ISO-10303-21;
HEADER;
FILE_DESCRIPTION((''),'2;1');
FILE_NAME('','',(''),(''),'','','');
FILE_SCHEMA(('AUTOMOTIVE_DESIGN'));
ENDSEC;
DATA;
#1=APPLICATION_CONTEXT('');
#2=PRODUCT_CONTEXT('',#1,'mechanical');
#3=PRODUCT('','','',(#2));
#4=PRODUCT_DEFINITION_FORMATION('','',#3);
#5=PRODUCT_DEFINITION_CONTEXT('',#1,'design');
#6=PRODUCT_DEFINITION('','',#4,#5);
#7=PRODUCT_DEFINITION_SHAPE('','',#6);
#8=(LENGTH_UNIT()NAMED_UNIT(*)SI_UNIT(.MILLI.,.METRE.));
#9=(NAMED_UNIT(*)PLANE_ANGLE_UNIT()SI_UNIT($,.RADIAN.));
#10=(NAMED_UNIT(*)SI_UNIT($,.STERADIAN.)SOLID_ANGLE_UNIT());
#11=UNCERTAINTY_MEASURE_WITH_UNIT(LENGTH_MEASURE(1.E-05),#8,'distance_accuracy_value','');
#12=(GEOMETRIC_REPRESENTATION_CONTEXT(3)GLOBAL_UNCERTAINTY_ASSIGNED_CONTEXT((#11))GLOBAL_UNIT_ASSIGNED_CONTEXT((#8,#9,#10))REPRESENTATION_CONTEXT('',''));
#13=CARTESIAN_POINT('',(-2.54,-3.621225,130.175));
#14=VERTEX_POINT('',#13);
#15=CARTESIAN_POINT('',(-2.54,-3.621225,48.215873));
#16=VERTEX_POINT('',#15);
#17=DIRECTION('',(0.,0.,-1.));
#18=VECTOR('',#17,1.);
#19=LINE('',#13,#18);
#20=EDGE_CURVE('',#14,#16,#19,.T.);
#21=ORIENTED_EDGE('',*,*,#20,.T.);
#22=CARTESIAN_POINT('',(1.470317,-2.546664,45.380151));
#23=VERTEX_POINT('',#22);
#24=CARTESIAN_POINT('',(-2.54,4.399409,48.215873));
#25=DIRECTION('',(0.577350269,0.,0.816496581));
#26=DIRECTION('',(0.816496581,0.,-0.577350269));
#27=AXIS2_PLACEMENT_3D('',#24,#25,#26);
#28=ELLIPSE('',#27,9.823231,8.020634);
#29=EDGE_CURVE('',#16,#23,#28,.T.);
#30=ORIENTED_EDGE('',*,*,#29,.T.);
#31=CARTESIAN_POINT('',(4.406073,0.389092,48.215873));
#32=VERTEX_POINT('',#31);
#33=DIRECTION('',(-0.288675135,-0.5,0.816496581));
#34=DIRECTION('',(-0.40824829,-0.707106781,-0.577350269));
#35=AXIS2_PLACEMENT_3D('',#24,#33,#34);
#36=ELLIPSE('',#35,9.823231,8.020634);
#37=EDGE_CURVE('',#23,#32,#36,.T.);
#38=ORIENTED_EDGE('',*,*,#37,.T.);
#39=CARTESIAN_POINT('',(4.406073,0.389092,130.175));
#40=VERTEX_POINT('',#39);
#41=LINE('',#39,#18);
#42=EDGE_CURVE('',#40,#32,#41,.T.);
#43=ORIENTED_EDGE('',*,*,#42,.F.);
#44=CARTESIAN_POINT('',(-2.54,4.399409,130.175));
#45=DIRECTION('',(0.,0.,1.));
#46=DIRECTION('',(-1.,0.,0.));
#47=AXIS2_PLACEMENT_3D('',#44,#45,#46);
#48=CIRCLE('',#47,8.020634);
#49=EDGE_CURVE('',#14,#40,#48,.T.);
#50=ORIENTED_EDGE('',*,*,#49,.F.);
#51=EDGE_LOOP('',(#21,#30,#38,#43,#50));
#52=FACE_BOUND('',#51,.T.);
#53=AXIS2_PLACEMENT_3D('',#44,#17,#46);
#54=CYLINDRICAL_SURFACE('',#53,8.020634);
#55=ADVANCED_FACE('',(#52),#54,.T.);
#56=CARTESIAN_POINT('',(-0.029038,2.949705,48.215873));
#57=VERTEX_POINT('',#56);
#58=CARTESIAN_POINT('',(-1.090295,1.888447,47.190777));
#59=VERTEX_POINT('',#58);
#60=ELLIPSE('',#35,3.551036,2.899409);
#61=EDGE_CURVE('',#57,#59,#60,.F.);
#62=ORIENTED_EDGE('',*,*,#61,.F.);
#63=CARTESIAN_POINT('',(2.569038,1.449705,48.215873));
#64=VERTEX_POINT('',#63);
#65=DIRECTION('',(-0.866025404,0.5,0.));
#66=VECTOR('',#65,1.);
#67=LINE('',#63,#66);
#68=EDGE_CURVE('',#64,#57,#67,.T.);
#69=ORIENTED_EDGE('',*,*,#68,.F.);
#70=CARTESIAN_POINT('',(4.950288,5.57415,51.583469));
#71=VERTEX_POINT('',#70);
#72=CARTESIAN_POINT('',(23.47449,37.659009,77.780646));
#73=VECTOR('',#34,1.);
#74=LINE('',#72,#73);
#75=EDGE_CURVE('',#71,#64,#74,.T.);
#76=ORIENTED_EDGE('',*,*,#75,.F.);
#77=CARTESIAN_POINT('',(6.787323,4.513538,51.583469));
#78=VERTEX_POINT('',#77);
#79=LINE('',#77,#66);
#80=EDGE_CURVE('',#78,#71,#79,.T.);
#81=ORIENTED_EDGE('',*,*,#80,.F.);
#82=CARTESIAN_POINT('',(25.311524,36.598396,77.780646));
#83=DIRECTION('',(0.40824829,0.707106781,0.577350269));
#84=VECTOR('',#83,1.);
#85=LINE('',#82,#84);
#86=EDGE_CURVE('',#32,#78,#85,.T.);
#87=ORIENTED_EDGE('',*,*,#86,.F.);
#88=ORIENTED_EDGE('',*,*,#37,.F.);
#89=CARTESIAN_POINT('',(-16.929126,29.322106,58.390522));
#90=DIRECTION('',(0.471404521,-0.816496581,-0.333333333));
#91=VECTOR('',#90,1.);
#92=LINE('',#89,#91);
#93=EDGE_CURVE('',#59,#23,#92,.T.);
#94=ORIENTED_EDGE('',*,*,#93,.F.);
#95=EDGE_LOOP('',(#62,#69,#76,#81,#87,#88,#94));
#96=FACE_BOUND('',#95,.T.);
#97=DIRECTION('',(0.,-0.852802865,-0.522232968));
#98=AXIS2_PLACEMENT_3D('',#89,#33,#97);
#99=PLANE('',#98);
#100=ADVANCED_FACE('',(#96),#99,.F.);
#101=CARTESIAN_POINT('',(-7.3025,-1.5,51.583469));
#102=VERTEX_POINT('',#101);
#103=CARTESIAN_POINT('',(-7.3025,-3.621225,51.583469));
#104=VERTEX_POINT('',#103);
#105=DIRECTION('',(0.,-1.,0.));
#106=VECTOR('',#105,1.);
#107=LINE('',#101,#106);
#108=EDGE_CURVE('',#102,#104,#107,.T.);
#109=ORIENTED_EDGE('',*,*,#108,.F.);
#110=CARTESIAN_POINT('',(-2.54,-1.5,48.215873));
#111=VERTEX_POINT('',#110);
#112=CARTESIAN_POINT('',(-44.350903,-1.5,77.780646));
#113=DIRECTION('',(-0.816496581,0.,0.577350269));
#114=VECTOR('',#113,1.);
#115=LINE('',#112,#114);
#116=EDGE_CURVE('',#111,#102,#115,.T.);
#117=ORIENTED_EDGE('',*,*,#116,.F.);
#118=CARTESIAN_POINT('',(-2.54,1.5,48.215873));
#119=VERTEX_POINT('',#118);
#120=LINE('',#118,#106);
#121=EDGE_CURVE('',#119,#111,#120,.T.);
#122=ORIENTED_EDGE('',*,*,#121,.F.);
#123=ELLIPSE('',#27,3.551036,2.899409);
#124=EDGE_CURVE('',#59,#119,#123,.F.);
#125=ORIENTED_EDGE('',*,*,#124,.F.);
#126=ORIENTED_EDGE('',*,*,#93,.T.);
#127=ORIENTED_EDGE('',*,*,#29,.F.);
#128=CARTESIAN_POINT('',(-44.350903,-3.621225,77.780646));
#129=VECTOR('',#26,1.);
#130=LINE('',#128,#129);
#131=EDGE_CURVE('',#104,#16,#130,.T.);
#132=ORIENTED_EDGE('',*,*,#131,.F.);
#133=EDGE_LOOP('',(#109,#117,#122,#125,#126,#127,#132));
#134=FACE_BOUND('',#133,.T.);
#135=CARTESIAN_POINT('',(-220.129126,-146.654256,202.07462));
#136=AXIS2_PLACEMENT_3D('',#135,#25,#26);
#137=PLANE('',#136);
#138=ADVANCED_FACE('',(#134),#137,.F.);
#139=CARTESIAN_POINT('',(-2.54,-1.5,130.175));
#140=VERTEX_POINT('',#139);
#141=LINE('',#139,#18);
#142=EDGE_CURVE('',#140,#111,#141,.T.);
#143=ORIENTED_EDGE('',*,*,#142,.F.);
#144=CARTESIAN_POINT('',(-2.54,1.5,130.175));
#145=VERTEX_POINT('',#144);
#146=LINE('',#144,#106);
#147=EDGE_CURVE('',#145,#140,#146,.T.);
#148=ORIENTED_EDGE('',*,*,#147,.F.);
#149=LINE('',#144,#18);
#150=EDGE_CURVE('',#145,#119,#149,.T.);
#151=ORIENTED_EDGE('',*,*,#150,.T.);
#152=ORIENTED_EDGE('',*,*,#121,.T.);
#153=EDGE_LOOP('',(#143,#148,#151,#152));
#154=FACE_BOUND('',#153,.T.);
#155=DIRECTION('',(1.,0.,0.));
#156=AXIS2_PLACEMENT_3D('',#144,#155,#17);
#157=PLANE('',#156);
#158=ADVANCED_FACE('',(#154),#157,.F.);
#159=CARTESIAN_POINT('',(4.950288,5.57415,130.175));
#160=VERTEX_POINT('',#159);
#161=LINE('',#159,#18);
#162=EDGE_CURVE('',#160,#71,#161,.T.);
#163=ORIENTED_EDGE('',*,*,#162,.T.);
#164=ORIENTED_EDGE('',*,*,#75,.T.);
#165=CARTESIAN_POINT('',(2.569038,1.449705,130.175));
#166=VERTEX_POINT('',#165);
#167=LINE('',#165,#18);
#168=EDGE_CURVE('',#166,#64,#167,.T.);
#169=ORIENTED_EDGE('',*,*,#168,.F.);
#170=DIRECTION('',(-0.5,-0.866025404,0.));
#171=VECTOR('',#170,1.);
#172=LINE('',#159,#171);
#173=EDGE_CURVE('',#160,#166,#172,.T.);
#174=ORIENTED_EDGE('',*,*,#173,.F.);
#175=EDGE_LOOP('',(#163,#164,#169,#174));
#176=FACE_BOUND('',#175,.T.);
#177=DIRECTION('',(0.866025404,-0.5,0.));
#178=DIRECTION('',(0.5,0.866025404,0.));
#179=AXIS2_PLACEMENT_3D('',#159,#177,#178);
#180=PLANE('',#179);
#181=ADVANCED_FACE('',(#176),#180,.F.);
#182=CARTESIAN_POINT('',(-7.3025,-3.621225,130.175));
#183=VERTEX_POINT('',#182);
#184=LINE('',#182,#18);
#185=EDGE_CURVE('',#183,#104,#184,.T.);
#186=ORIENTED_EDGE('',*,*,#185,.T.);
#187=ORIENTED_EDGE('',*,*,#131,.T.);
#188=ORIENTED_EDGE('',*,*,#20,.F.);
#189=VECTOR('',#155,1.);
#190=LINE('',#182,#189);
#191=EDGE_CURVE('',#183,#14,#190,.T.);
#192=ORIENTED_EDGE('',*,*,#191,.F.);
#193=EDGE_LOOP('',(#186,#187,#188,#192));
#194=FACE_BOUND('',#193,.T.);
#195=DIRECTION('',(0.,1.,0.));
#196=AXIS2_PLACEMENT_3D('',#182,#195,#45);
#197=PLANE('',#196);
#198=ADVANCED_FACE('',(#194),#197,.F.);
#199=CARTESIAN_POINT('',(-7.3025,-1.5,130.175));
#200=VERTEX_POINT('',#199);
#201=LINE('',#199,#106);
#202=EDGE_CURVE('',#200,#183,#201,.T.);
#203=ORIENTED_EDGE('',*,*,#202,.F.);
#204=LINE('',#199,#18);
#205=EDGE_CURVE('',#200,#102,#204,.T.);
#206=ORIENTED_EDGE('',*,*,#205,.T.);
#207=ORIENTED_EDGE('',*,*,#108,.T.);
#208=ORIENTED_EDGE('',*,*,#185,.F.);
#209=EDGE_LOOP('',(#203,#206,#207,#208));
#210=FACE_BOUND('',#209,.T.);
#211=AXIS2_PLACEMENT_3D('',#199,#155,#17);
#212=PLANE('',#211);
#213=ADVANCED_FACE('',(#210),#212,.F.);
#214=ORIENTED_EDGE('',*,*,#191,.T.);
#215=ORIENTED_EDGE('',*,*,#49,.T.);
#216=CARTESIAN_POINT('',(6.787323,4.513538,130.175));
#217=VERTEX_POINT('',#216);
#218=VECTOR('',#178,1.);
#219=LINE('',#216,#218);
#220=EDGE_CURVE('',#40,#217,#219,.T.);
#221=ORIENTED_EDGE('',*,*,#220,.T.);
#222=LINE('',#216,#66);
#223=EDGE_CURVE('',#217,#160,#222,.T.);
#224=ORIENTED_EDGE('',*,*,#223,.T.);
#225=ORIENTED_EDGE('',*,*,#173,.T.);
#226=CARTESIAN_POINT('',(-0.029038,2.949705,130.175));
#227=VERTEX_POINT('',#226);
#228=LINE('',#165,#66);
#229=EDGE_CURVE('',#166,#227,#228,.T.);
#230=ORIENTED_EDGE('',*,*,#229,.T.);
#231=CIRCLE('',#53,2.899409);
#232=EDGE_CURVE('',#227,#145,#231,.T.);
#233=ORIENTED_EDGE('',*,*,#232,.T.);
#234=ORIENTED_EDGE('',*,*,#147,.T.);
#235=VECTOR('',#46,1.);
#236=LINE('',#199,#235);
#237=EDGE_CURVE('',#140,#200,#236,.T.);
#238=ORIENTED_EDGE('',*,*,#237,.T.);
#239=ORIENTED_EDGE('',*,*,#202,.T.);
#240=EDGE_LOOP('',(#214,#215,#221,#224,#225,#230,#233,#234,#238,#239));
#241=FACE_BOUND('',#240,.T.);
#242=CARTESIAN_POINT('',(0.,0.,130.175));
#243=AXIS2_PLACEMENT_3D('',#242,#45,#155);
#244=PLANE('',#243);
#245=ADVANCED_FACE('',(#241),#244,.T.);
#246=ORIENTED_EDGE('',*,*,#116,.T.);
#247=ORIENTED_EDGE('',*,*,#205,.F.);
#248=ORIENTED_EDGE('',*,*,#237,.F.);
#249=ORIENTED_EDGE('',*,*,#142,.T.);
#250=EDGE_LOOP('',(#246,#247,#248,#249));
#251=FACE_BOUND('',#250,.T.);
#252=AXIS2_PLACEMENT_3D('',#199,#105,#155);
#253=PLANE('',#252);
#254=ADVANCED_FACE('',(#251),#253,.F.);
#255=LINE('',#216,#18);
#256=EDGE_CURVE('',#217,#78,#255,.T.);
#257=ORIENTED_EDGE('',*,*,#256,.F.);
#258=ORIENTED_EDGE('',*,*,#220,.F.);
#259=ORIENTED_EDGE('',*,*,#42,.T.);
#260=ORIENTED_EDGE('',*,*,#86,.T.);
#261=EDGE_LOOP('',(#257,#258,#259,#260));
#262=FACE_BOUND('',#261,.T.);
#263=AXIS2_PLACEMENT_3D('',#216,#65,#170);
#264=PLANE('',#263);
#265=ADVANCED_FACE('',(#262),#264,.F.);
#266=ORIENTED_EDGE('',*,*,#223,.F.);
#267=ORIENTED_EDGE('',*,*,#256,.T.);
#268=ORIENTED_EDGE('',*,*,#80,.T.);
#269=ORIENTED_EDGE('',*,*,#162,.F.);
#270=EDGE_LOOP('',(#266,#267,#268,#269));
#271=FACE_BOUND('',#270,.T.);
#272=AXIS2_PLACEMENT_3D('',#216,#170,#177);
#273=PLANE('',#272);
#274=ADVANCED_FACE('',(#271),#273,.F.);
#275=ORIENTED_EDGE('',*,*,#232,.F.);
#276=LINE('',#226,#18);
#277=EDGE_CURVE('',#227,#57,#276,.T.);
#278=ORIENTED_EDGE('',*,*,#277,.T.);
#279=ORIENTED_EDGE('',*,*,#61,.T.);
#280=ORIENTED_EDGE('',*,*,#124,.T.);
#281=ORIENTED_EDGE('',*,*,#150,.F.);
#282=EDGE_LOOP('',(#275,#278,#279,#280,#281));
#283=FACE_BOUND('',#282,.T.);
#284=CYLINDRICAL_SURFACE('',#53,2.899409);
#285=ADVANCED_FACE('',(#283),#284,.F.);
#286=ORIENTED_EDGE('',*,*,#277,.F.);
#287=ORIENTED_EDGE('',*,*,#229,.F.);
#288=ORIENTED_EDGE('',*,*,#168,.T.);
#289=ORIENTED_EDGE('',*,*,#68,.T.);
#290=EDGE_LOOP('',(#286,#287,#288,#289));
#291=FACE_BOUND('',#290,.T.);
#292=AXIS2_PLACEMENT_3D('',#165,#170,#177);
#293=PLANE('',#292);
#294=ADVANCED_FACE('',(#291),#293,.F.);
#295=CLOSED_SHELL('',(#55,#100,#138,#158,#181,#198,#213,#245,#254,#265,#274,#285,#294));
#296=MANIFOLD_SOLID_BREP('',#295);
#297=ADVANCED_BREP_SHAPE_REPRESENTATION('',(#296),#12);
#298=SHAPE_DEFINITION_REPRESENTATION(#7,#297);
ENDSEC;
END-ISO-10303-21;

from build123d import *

# Parameters (mm, degrees)
SKETCH7_W               = 4.7625
SKETCH7_H               = 2.12122512
BOSS_EXTRUDE2_DEPTH     = 130.175
BOSS_EXTRUDE3_DEPTH     = 130.175
BOSS_EXTRUDE4_DEPTH     = 130.175
CUT_EXTRUDE1_DEPTH      = 177.833619085
CUT_EXTRUDE1_DEPTH_BACK = 177.833619085


with BuildPart() as part:
    # Sketch7 → Boss-Extrude2 (new, symmetric)
    with BuildSketch(Plane.XY):
        with Locations((-4.92125, -2.560612608)):
            Rectangle(SKETCH7_W, SKETCH7_H)
    extrude(amount=BOSS_EXTRUDE2_DEPTH, both=True)



with BuildPart() as body_2:
    # Sketch8 → Boss-Extrude3 (new, symmetric)
    with BuildSketch(Plane.XY):
        Polygon((2.569038147, 1.449704502), (4.950288147, 5.574150487), (6.787322988, 4.513537927), (4.406072988, 0.389091942), align=None)
    extrude(amount=BOSS_EXTRUDE3_DEPTH, both=True)


with BuildPart() as part_1:
    add(part.part)

    add(body_2.part)  # Boss-Extrude4 merges body 2
    # Sketch11 → Boss-Extrude4 (add, symmetric)
    with BuildSketch(Plane.XY):
        with BuildLine():
            Line((-2.54, -1.500000048), (-7.3025, -1.500000048))
            Line((-7.3025, -1.500000048), (-7.3025, -3.621225168))
            Line((-7.3025, -3.621225168), (-2.54, -3.621225168))
            ThreePointArc((-2.54, -3.621225168), (1.47031711, -2.546663937), (4.406072988, 0.389091942))
            Line((4.406072988, 0.389091942), (6.787322988, 4.513537927))
            Line((6.787322988, 4.513537927), (4.950288147, 5.574150487))
            Line((4.950288147, 5.574150487), (2.569038147, 1.449704502))
            Line((2.569038147, 1.449704502), (-0.029038147, 2.94970455))
            ThreePointArc((-0.029038147, 2.94970455), (-1.090295498, 1.888447198), (-2.54, 1.500000048))
            Line((-2.54, 1.500000048), (-2.54, -1.500000048))
        make_face()
    extrude(amount=BOSS_EXTRUDE4_DEPTH, both=True)

    # Sketch17 → Cut-Extrude1 (cut, two sides: drawn at the far end of the back side and taken through both)
    with BuildSketch(Plane(origin=(0, 0, 46.419822061), x_dir=(-0.6666666666666663, -0.5773502691896272, 0.4714045207910306), z_dir=(0.47140452079103357, -0.8164965809277251, -0.33333333333333304)).offset(-CUT_EXTRUDE1_DEPTH_BACK)):
        Polygon((304.8, 0), (0, 0), (-152.4, -263.964543073), (-304.8, 0), (-152.4, 263.964543073), (152.4, 263.964543073), align=None)
    extrude(amount=CUT_EXTRUDE1_DEPTH + CUT_EXTRUDE1_DEPTH_BACK, mode=Mode.SUBTRACT)


solid = part_1.part
